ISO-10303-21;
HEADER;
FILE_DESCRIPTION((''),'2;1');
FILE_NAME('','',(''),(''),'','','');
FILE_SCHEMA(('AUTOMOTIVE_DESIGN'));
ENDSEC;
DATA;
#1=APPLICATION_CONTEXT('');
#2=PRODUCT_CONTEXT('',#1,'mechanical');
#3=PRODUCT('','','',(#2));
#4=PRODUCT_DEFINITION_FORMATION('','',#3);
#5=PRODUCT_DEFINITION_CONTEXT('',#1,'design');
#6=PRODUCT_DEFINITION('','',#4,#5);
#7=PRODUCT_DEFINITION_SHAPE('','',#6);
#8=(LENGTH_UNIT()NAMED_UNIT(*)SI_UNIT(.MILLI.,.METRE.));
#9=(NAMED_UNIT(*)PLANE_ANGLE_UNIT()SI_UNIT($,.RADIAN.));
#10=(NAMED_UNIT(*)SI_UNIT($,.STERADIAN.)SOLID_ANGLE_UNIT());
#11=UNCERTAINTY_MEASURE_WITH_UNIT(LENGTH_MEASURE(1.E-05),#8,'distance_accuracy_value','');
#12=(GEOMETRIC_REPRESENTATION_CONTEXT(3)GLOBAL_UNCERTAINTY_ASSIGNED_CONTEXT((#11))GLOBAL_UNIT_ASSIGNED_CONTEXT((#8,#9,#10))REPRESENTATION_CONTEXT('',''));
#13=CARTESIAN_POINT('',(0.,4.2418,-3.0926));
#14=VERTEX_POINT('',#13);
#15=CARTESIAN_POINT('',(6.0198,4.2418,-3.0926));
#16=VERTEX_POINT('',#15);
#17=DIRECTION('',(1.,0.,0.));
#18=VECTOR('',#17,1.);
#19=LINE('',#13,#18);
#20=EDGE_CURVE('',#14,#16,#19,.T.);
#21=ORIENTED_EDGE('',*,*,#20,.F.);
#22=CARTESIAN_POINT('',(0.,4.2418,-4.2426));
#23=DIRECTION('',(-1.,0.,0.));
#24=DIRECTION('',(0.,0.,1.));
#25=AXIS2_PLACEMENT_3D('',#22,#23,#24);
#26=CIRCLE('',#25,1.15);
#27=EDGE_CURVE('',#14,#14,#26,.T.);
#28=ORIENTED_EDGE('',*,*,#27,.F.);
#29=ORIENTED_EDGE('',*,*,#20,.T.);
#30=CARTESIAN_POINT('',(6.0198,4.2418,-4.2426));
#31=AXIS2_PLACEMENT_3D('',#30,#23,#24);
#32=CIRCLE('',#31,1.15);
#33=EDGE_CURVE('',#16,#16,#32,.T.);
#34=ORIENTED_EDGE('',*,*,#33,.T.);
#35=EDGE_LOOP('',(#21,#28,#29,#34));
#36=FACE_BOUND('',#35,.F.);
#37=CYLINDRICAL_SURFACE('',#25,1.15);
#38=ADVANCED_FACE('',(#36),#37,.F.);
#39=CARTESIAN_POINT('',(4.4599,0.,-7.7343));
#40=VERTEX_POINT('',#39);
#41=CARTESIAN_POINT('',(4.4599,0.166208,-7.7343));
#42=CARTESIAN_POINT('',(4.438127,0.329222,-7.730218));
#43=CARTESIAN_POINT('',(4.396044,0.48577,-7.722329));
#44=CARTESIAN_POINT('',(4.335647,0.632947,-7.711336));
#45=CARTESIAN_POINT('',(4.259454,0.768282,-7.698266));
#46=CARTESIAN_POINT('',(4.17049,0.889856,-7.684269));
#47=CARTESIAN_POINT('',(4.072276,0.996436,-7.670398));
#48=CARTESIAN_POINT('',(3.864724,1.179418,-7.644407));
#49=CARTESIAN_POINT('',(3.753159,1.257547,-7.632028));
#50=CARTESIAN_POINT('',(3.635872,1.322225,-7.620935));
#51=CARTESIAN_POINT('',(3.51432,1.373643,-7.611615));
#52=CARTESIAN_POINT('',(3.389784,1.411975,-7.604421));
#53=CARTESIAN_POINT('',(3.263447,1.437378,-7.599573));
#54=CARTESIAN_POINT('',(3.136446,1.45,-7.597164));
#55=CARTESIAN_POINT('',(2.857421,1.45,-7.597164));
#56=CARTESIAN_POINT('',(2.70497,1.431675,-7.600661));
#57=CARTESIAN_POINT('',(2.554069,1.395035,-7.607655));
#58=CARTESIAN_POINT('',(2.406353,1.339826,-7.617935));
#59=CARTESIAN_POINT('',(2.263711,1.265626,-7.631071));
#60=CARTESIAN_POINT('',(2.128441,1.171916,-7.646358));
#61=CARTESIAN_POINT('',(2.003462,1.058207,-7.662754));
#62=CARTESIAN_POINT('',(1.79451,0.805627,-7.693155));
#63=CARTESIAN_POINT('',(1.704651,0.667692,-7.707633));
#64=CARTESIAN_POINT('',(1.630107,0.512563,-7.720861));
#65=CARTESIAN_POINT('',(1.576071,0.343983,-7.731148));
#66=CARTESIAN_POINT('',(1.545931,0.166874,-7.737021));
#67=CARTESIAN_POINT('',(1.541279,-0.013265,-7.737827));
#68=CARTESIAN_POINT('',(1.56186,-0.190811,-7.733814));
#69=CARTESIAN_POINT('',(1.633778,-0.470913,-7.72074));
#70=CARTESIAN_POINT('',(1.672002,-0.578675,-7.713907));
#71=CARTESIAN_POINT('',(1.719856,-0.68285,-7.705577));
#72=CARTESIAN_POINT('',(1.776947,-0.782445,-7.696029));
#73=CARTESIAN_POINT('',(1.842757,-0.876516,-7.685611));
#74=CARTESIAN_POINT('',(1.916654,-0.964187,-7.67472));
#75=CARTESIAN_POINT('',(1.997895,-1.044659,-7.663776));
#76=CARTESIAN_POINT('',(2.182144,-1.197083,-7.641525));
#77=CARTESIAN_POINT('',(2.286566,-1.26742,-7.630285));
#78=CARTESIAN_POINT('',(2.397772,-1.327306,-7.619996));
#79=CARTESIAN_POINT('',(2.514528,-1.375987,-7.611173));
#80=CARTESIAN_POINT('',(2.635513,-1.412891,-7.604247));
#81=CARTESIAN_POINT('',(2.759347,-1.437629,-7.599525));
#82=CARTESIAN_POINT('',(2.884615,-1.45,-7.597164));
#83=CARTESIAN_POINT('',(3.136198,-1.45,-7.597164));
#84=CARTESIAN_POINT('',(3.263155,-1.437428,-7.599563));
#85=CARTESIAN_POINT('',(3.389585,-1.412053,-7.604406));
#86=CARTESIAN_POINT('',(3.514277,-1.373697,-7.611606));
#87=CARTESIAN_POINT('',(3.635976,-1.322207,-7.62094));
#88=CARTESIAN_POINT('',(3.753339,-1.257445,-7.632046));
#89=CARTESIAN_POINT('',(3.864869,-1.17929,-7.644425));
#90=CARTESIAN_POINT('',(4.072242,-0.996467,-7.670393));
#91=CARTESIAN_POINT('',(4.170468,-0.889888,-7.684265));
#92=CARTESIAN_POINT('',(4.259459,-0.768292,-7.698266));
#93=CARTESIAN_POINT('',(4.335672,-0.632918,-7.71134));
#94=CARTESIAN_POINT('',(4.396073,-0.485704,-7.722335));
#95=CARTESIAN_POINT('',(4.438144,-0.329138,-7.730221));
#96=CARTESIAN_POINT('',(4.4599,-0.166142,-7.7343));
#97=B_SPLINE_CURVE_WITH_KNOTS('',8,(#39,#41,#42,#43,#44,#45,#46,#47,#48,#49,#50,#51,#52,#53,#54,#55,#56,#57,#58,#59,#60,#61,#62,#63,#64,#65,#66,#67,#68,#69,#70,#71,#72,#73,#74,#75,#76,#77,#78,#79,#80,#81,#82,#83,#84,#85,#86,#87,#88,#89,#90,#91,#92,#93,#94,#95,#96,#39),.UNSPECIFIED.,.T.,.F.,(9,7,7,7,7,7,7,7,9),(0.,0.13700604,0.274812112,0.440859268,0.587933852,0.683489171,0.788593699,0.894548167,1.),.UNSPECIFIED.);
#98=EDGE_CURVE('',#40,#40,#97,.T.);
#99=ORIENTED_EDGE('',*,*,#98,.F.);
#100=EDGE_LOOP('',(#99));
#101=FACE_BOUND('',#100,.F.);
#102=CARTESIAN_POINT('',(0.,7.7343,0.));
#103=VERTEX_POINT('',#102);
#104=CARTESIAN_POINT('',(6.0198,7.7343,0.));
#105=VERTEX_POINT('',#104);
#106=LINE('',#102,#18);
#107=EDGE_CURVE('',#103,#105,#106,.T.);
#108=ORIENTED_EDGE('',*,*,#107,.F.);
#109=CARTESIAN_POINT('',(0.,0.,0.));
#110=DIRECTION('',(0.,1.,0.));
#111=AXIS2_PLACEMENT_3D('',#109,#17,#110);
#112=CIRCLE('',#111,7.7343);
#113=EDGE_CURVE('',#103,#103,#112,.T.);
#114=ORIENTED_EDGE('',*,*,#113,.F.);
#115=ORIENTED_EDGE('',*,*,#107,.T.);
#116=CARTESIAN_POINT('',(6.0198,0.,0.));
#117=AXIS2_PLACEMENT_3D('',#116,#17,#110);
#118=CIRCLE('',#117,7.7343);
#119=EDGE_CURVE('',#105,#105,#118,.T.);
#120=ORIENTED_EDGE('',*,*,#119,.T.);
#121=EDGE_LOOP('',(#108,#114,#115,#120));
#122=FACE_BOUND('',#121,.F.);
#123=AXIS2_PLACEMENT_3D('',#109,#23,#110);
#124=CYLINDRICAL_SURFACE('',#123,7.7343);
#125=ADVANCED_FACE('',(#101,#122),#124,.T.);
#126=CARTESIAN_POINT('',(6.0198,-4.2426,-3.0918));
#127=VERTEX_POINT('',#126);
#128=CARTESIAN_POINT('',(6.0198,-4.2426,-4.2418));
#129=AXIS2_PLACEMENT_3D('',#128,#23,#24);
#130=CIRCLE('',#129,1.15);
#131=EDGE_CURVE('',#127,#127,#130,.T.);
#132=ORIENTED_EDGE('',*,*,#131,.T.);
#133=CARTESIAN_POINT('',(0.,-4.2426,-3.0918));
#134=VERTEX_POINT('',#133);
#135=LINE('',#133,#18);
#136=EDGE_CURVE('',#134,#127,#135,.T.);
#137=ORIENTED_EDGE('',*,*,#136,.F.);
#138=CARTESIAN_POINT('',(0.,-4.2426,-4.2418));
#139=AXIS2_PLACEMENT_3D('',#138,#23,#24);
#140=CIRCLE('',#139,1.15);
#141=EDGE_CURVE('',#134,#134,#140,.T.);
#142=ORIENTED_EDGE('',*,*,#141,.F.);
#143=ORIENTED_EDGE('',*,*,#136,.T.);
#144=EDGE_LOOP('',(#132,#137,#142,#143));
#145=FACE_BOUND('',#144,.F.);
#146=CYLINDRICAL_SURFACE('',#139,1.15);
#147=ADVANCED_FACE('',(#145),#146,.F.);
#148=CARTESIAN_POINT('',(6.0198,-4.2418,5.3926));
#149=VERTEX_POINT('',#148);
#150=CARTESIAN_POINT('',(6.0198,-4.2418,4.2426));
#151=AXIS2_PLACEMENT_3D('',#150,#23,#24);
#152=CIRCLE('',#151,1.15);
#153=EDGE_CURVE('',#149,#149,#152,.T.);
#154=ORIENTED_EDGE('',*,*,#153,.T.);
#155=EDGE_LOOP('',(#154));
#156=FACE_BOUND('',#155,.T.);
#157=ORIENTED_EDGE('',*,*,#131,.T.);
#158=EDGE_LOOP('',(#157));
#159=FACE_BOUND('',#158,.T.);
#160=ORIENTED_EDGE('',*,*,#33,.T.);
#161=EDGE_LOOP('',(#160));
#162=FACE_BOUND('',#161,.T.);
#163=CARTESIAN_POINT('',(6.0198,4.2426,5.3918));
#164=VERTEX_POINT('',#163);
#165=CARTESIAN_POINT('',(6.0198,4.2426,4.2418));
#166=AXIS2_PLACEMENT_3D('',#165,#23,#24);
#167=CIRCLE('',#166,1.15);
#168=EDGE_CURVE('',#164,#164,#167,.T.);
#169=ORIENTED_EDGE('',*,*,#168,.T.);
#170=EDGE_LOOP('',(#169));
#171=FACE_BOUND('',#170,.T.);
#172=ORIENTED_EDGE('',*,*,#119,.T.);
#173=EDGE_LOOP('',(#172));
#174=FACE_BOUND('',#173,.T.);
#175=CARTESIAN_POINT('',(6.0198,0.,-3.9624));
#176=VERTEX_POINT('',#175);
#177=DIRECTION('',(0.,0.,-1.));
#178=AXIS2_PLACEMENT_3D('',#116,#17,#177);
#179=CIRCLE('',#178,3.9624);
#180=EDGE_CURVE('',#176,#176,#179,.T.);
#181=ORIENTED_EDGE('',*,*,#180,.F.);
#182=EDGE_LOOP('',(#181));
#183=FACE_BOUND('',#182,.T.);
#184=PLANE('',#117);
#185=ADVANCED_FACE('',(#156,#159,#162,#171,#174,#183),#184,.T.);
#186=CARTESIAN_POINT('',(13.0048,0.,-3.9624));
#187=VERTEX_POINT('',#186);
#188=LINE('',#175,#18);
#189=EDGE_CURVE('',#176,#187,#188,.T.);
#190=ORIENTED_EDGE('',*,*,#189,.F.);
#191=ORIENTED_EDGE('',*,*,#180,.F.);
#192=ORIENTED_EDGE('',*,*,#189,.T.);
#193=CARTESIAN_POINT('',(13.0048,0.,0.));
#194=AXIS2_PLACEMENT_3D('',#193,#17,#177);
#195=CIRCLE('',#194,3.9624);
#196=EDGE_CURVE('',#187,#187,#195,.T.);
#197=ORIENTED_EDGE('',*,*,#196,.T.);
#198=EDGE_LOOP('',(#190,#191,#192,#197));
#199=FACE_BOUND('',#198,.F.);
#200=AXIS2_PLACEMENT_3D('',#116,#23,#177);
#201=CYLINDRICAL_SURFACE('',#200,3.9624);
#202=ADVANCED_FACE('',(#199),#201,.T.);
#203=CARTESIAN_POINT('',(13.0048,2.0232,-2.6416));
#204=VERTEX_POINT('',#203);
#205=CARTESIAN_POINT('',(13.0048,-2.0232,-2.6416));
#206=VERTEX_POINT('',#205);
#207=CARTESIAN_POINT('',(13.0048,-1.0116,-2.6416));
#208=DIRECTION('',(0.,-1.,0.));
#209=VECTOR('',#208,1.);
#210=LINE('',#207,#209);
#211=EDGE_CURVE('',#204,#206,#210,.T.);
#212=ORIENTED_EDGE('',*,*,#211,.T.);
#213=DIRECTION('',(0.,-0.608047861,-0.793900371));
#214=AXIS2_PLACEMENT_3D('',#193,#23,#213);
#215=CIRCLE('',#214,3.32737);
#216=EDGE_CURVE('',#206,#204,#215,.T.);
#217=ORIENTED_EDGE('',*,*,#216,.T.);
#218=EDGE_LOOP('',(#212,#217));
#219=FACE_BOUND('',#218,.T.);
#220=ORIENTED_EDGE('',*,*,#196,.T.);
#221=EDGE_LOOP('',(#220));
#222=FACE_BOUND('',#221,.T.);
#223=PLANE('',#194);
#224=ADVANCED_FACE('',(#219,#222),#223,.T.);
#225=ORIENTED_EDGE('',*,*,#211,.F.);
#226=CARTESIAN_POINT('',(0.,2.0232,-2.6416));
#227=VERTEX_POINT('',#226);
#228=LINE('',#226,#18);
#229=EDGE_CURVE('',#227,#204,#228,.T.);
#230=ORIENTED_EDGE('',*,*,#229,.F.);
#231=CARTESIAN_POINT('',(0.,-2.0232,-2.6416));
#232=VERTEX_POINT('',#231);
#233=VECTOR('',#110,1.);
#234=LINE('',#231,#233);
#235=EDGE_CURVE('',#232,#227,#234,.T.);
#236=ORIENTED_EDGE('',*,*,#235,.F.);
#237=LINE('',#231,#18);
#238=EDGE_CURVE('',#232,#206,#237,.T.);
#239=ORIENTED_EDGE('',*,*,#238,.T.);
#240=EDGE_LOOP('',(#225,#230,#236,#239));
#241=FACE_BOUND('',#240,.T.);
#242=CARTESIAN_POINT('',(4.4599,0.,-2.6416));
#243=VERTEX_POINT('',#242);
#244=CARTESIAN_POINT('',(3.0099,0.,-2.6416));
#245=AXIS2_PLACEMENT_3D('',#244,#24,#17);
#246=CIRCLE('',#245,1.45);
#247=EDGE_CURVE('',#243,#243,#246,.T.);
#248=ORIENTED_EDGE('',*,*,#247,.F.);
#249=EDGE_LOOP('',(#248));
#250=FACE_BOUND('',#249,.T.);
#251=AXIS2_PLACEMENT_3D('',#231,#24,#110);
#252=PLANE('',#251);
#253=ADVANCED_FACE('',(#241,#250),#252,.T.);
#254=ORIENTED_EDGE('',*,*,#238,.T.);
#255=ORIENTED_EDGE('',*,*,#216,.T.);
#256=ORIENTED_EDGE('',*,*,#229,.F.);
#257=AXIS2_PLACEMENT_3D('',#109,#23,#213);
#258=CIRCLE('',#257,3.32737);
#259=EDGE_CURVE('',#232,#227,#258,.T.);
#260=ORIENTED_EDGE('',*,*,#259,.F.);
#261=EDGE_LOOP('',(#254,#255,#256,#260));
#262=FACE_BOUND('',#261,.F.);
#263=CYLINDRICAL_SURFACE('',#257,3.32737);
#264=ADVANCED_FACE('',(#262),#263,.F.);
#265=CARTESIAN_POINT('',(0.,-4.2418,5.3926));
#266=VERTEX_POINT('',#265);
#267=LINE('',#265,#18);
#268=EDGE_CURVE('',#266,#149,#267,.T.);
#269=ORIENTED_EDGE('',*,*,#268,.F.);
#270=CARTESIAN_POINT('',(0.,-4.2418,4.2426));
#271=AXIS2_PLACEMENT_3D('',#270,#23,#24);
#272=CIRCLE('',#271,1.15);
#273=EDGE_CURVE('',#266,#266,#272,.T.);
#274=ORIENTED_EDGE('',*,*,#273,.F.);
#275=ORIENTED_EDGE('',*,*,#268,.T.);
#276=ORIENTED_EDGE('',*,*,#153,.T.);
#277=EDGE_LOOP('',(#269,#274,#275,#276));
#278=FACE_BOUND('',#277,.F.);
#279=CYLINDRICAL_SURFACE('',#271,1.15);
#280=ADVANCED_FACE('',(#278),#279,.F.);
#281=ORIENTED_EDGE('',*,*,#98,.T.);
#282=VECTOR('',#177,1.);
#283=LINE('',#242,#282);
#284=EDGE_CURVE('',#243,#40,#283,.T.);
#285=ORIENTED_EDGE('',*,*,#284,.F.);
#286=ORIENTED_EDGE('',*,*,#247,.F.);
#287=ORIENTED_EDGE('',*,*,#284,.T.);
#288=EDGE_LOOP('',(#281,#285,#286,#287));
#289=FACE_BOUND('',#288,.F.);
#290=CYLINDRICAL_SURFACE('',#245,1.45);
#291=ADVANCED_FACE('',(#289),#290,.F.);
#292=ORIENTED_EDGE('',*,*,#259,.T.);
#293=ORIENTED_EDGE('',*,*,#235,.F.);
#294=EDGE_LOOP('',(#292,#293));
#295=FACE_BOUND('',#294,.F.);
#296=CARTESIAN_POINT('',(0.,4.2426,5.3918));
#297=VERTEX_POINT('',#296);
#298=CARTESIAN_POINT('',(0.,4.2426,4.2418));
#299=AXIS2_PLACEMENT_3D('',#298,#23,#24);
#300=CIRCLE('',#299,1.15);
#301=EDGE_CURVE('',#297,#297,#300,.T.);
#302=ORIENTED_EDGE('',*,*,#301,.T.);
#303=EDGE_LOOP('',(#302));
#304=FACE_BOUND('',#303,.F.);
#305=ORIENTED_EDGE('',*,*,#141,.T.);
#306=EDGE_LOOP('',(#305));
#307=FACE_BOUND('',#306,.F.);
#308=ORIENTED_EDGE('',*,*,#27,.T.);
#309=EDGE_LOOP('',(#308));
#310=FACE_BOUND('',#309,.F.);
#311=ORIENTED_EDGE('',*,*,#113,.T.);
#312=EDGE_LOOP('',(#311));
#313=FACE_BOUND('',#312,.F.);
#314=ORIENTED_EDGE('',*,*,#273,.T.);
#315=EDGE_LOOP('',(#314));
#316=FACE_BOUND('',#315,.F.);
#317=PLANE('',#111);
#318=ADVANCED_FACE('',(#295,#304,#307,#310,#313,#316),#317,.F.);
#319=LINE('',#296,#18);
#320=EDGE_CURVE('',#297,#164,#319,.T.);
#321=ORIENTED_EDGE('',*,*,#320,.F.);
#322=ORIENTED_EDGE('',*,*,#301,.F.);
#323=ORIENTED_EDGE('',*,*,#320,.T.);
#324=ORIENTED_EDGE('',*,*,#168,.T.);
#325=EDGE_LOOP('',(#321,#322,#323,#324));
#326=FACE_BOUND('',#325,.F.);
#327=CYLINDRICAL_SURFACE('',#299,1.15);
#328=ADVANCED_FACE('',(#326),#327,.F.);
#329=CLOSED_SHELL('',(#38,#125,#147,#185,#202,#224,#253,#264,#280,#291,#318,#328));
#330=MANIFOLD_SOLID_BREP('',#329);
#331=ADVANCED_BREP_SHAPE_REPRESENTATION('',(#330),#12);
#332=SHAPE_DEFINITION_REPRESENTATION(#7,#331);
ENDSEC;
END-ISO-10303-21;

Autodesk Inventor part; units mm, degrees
ref_plane "YZ Plane" through (0, 0, 0) normal (1, 0, 0) x (0, 1, 0)
ref_plane "XZ Plane" through (0, 0, 0) normal (0, 1, 0) x (-1, 0, 0)
ref_plane "XY Plane" through (0, 0, 0) normal (0, 0, 1) x (1, 0, 0)
sketch "Sketch1" plane through (0, 0, 0) normal (1, 0, 0) x (0, 1, 0)
  circle A0 centre (0, 0) radius 7.7343
  dimension "d0" = 15.4686
extrude "Extrusion1" add sketch "Sketch1" along normal blind 6.0198
sketch "Sketch2" plane through (6.0198, 0, 0) normal (1, 0, 0) x (0, 0, -1)
  circle A0 centre (0, 0) radius 3.9624
  dimension "d3" = 7.9248
extrude "Extrusion2" add sketch "Sketch2" along normal blind 6.985
sketch "Sketch3" plane through (0, 0, 0) normal (-1, 0, 0) x (0, 0, 1)
  arc A0 (-2.6416, -2.0232) -> (-2.6416, 2.0232) centre (0, 0) ccw
  line L0 (-2.6416, -2.0232) -> (-2.6416, 2.0232)
  dimension "d6" = 6.6548
extrude "Extrusion3" cut sketch "Sketch3" against normal through all
sketch "Sketch4" plane through (0, 0, 0) normal (-1, 0, 0) x (0, 0, 1)
  circle A0 centre (-4.2426, 4.2418) radius 1.15
  circle A1 centre (0, 0) radius 6 construction
  circle A2 centre (-4.2418, -4.2426) radius 1.15
  circle A3 centre (4.2426, -4.2418) radius 1.15
  circle A4 centre (4.2418, 4.2426) radius 1.15
  dimension "d12" = 2.3
  dimension "d21" = 12
  dimension "d24" = 360
extrude "Extrusion4" cut sketch "Sketch4" against normal through all
sketch "Sketch5" plane through (0, -2.0232, -2.6416) normal (0, 0, 1) x (1, 0, 0)
  circle A0 centre (3.0099, 2.0232) radius 1.45
  line L0 (6.0198, -5.7111) -> (6.0198, 9.7575) projected
  line L1 (0, 9.7575) -> (0, -5.7111) projected
  line L2 (6.0198, 5.9856) -> (13.0048, 5.9856) construction
  line L3 (13.0048, -1.9392) -> (13.0048, 5.9856) construction
  line L4 (6.0198, 5.9856) -> (6.0198, -1.9392) construction
  line L5 (0, 9.7575) -> (6.0198, 9.7575) construction
  line L6 (0, -5.7111) -> (6.0198, -5.7111) construction
  point P0 (0, 2.0232)
  dimension "d26" = 2.9
  dimension "d27" = 6.0198
  dimension "d28" = 3.0099
  dimension "d29" = 15.4686
  dimension "d30" = 7.7343
extrude "Extrusion5" cut sketch "Sketch5" against normal through all
equation "\"d28\" = 0.5 * d27"
equation "\"d30\" = 0.5 * d29"
properties part number "Our omiwheelinsert"
